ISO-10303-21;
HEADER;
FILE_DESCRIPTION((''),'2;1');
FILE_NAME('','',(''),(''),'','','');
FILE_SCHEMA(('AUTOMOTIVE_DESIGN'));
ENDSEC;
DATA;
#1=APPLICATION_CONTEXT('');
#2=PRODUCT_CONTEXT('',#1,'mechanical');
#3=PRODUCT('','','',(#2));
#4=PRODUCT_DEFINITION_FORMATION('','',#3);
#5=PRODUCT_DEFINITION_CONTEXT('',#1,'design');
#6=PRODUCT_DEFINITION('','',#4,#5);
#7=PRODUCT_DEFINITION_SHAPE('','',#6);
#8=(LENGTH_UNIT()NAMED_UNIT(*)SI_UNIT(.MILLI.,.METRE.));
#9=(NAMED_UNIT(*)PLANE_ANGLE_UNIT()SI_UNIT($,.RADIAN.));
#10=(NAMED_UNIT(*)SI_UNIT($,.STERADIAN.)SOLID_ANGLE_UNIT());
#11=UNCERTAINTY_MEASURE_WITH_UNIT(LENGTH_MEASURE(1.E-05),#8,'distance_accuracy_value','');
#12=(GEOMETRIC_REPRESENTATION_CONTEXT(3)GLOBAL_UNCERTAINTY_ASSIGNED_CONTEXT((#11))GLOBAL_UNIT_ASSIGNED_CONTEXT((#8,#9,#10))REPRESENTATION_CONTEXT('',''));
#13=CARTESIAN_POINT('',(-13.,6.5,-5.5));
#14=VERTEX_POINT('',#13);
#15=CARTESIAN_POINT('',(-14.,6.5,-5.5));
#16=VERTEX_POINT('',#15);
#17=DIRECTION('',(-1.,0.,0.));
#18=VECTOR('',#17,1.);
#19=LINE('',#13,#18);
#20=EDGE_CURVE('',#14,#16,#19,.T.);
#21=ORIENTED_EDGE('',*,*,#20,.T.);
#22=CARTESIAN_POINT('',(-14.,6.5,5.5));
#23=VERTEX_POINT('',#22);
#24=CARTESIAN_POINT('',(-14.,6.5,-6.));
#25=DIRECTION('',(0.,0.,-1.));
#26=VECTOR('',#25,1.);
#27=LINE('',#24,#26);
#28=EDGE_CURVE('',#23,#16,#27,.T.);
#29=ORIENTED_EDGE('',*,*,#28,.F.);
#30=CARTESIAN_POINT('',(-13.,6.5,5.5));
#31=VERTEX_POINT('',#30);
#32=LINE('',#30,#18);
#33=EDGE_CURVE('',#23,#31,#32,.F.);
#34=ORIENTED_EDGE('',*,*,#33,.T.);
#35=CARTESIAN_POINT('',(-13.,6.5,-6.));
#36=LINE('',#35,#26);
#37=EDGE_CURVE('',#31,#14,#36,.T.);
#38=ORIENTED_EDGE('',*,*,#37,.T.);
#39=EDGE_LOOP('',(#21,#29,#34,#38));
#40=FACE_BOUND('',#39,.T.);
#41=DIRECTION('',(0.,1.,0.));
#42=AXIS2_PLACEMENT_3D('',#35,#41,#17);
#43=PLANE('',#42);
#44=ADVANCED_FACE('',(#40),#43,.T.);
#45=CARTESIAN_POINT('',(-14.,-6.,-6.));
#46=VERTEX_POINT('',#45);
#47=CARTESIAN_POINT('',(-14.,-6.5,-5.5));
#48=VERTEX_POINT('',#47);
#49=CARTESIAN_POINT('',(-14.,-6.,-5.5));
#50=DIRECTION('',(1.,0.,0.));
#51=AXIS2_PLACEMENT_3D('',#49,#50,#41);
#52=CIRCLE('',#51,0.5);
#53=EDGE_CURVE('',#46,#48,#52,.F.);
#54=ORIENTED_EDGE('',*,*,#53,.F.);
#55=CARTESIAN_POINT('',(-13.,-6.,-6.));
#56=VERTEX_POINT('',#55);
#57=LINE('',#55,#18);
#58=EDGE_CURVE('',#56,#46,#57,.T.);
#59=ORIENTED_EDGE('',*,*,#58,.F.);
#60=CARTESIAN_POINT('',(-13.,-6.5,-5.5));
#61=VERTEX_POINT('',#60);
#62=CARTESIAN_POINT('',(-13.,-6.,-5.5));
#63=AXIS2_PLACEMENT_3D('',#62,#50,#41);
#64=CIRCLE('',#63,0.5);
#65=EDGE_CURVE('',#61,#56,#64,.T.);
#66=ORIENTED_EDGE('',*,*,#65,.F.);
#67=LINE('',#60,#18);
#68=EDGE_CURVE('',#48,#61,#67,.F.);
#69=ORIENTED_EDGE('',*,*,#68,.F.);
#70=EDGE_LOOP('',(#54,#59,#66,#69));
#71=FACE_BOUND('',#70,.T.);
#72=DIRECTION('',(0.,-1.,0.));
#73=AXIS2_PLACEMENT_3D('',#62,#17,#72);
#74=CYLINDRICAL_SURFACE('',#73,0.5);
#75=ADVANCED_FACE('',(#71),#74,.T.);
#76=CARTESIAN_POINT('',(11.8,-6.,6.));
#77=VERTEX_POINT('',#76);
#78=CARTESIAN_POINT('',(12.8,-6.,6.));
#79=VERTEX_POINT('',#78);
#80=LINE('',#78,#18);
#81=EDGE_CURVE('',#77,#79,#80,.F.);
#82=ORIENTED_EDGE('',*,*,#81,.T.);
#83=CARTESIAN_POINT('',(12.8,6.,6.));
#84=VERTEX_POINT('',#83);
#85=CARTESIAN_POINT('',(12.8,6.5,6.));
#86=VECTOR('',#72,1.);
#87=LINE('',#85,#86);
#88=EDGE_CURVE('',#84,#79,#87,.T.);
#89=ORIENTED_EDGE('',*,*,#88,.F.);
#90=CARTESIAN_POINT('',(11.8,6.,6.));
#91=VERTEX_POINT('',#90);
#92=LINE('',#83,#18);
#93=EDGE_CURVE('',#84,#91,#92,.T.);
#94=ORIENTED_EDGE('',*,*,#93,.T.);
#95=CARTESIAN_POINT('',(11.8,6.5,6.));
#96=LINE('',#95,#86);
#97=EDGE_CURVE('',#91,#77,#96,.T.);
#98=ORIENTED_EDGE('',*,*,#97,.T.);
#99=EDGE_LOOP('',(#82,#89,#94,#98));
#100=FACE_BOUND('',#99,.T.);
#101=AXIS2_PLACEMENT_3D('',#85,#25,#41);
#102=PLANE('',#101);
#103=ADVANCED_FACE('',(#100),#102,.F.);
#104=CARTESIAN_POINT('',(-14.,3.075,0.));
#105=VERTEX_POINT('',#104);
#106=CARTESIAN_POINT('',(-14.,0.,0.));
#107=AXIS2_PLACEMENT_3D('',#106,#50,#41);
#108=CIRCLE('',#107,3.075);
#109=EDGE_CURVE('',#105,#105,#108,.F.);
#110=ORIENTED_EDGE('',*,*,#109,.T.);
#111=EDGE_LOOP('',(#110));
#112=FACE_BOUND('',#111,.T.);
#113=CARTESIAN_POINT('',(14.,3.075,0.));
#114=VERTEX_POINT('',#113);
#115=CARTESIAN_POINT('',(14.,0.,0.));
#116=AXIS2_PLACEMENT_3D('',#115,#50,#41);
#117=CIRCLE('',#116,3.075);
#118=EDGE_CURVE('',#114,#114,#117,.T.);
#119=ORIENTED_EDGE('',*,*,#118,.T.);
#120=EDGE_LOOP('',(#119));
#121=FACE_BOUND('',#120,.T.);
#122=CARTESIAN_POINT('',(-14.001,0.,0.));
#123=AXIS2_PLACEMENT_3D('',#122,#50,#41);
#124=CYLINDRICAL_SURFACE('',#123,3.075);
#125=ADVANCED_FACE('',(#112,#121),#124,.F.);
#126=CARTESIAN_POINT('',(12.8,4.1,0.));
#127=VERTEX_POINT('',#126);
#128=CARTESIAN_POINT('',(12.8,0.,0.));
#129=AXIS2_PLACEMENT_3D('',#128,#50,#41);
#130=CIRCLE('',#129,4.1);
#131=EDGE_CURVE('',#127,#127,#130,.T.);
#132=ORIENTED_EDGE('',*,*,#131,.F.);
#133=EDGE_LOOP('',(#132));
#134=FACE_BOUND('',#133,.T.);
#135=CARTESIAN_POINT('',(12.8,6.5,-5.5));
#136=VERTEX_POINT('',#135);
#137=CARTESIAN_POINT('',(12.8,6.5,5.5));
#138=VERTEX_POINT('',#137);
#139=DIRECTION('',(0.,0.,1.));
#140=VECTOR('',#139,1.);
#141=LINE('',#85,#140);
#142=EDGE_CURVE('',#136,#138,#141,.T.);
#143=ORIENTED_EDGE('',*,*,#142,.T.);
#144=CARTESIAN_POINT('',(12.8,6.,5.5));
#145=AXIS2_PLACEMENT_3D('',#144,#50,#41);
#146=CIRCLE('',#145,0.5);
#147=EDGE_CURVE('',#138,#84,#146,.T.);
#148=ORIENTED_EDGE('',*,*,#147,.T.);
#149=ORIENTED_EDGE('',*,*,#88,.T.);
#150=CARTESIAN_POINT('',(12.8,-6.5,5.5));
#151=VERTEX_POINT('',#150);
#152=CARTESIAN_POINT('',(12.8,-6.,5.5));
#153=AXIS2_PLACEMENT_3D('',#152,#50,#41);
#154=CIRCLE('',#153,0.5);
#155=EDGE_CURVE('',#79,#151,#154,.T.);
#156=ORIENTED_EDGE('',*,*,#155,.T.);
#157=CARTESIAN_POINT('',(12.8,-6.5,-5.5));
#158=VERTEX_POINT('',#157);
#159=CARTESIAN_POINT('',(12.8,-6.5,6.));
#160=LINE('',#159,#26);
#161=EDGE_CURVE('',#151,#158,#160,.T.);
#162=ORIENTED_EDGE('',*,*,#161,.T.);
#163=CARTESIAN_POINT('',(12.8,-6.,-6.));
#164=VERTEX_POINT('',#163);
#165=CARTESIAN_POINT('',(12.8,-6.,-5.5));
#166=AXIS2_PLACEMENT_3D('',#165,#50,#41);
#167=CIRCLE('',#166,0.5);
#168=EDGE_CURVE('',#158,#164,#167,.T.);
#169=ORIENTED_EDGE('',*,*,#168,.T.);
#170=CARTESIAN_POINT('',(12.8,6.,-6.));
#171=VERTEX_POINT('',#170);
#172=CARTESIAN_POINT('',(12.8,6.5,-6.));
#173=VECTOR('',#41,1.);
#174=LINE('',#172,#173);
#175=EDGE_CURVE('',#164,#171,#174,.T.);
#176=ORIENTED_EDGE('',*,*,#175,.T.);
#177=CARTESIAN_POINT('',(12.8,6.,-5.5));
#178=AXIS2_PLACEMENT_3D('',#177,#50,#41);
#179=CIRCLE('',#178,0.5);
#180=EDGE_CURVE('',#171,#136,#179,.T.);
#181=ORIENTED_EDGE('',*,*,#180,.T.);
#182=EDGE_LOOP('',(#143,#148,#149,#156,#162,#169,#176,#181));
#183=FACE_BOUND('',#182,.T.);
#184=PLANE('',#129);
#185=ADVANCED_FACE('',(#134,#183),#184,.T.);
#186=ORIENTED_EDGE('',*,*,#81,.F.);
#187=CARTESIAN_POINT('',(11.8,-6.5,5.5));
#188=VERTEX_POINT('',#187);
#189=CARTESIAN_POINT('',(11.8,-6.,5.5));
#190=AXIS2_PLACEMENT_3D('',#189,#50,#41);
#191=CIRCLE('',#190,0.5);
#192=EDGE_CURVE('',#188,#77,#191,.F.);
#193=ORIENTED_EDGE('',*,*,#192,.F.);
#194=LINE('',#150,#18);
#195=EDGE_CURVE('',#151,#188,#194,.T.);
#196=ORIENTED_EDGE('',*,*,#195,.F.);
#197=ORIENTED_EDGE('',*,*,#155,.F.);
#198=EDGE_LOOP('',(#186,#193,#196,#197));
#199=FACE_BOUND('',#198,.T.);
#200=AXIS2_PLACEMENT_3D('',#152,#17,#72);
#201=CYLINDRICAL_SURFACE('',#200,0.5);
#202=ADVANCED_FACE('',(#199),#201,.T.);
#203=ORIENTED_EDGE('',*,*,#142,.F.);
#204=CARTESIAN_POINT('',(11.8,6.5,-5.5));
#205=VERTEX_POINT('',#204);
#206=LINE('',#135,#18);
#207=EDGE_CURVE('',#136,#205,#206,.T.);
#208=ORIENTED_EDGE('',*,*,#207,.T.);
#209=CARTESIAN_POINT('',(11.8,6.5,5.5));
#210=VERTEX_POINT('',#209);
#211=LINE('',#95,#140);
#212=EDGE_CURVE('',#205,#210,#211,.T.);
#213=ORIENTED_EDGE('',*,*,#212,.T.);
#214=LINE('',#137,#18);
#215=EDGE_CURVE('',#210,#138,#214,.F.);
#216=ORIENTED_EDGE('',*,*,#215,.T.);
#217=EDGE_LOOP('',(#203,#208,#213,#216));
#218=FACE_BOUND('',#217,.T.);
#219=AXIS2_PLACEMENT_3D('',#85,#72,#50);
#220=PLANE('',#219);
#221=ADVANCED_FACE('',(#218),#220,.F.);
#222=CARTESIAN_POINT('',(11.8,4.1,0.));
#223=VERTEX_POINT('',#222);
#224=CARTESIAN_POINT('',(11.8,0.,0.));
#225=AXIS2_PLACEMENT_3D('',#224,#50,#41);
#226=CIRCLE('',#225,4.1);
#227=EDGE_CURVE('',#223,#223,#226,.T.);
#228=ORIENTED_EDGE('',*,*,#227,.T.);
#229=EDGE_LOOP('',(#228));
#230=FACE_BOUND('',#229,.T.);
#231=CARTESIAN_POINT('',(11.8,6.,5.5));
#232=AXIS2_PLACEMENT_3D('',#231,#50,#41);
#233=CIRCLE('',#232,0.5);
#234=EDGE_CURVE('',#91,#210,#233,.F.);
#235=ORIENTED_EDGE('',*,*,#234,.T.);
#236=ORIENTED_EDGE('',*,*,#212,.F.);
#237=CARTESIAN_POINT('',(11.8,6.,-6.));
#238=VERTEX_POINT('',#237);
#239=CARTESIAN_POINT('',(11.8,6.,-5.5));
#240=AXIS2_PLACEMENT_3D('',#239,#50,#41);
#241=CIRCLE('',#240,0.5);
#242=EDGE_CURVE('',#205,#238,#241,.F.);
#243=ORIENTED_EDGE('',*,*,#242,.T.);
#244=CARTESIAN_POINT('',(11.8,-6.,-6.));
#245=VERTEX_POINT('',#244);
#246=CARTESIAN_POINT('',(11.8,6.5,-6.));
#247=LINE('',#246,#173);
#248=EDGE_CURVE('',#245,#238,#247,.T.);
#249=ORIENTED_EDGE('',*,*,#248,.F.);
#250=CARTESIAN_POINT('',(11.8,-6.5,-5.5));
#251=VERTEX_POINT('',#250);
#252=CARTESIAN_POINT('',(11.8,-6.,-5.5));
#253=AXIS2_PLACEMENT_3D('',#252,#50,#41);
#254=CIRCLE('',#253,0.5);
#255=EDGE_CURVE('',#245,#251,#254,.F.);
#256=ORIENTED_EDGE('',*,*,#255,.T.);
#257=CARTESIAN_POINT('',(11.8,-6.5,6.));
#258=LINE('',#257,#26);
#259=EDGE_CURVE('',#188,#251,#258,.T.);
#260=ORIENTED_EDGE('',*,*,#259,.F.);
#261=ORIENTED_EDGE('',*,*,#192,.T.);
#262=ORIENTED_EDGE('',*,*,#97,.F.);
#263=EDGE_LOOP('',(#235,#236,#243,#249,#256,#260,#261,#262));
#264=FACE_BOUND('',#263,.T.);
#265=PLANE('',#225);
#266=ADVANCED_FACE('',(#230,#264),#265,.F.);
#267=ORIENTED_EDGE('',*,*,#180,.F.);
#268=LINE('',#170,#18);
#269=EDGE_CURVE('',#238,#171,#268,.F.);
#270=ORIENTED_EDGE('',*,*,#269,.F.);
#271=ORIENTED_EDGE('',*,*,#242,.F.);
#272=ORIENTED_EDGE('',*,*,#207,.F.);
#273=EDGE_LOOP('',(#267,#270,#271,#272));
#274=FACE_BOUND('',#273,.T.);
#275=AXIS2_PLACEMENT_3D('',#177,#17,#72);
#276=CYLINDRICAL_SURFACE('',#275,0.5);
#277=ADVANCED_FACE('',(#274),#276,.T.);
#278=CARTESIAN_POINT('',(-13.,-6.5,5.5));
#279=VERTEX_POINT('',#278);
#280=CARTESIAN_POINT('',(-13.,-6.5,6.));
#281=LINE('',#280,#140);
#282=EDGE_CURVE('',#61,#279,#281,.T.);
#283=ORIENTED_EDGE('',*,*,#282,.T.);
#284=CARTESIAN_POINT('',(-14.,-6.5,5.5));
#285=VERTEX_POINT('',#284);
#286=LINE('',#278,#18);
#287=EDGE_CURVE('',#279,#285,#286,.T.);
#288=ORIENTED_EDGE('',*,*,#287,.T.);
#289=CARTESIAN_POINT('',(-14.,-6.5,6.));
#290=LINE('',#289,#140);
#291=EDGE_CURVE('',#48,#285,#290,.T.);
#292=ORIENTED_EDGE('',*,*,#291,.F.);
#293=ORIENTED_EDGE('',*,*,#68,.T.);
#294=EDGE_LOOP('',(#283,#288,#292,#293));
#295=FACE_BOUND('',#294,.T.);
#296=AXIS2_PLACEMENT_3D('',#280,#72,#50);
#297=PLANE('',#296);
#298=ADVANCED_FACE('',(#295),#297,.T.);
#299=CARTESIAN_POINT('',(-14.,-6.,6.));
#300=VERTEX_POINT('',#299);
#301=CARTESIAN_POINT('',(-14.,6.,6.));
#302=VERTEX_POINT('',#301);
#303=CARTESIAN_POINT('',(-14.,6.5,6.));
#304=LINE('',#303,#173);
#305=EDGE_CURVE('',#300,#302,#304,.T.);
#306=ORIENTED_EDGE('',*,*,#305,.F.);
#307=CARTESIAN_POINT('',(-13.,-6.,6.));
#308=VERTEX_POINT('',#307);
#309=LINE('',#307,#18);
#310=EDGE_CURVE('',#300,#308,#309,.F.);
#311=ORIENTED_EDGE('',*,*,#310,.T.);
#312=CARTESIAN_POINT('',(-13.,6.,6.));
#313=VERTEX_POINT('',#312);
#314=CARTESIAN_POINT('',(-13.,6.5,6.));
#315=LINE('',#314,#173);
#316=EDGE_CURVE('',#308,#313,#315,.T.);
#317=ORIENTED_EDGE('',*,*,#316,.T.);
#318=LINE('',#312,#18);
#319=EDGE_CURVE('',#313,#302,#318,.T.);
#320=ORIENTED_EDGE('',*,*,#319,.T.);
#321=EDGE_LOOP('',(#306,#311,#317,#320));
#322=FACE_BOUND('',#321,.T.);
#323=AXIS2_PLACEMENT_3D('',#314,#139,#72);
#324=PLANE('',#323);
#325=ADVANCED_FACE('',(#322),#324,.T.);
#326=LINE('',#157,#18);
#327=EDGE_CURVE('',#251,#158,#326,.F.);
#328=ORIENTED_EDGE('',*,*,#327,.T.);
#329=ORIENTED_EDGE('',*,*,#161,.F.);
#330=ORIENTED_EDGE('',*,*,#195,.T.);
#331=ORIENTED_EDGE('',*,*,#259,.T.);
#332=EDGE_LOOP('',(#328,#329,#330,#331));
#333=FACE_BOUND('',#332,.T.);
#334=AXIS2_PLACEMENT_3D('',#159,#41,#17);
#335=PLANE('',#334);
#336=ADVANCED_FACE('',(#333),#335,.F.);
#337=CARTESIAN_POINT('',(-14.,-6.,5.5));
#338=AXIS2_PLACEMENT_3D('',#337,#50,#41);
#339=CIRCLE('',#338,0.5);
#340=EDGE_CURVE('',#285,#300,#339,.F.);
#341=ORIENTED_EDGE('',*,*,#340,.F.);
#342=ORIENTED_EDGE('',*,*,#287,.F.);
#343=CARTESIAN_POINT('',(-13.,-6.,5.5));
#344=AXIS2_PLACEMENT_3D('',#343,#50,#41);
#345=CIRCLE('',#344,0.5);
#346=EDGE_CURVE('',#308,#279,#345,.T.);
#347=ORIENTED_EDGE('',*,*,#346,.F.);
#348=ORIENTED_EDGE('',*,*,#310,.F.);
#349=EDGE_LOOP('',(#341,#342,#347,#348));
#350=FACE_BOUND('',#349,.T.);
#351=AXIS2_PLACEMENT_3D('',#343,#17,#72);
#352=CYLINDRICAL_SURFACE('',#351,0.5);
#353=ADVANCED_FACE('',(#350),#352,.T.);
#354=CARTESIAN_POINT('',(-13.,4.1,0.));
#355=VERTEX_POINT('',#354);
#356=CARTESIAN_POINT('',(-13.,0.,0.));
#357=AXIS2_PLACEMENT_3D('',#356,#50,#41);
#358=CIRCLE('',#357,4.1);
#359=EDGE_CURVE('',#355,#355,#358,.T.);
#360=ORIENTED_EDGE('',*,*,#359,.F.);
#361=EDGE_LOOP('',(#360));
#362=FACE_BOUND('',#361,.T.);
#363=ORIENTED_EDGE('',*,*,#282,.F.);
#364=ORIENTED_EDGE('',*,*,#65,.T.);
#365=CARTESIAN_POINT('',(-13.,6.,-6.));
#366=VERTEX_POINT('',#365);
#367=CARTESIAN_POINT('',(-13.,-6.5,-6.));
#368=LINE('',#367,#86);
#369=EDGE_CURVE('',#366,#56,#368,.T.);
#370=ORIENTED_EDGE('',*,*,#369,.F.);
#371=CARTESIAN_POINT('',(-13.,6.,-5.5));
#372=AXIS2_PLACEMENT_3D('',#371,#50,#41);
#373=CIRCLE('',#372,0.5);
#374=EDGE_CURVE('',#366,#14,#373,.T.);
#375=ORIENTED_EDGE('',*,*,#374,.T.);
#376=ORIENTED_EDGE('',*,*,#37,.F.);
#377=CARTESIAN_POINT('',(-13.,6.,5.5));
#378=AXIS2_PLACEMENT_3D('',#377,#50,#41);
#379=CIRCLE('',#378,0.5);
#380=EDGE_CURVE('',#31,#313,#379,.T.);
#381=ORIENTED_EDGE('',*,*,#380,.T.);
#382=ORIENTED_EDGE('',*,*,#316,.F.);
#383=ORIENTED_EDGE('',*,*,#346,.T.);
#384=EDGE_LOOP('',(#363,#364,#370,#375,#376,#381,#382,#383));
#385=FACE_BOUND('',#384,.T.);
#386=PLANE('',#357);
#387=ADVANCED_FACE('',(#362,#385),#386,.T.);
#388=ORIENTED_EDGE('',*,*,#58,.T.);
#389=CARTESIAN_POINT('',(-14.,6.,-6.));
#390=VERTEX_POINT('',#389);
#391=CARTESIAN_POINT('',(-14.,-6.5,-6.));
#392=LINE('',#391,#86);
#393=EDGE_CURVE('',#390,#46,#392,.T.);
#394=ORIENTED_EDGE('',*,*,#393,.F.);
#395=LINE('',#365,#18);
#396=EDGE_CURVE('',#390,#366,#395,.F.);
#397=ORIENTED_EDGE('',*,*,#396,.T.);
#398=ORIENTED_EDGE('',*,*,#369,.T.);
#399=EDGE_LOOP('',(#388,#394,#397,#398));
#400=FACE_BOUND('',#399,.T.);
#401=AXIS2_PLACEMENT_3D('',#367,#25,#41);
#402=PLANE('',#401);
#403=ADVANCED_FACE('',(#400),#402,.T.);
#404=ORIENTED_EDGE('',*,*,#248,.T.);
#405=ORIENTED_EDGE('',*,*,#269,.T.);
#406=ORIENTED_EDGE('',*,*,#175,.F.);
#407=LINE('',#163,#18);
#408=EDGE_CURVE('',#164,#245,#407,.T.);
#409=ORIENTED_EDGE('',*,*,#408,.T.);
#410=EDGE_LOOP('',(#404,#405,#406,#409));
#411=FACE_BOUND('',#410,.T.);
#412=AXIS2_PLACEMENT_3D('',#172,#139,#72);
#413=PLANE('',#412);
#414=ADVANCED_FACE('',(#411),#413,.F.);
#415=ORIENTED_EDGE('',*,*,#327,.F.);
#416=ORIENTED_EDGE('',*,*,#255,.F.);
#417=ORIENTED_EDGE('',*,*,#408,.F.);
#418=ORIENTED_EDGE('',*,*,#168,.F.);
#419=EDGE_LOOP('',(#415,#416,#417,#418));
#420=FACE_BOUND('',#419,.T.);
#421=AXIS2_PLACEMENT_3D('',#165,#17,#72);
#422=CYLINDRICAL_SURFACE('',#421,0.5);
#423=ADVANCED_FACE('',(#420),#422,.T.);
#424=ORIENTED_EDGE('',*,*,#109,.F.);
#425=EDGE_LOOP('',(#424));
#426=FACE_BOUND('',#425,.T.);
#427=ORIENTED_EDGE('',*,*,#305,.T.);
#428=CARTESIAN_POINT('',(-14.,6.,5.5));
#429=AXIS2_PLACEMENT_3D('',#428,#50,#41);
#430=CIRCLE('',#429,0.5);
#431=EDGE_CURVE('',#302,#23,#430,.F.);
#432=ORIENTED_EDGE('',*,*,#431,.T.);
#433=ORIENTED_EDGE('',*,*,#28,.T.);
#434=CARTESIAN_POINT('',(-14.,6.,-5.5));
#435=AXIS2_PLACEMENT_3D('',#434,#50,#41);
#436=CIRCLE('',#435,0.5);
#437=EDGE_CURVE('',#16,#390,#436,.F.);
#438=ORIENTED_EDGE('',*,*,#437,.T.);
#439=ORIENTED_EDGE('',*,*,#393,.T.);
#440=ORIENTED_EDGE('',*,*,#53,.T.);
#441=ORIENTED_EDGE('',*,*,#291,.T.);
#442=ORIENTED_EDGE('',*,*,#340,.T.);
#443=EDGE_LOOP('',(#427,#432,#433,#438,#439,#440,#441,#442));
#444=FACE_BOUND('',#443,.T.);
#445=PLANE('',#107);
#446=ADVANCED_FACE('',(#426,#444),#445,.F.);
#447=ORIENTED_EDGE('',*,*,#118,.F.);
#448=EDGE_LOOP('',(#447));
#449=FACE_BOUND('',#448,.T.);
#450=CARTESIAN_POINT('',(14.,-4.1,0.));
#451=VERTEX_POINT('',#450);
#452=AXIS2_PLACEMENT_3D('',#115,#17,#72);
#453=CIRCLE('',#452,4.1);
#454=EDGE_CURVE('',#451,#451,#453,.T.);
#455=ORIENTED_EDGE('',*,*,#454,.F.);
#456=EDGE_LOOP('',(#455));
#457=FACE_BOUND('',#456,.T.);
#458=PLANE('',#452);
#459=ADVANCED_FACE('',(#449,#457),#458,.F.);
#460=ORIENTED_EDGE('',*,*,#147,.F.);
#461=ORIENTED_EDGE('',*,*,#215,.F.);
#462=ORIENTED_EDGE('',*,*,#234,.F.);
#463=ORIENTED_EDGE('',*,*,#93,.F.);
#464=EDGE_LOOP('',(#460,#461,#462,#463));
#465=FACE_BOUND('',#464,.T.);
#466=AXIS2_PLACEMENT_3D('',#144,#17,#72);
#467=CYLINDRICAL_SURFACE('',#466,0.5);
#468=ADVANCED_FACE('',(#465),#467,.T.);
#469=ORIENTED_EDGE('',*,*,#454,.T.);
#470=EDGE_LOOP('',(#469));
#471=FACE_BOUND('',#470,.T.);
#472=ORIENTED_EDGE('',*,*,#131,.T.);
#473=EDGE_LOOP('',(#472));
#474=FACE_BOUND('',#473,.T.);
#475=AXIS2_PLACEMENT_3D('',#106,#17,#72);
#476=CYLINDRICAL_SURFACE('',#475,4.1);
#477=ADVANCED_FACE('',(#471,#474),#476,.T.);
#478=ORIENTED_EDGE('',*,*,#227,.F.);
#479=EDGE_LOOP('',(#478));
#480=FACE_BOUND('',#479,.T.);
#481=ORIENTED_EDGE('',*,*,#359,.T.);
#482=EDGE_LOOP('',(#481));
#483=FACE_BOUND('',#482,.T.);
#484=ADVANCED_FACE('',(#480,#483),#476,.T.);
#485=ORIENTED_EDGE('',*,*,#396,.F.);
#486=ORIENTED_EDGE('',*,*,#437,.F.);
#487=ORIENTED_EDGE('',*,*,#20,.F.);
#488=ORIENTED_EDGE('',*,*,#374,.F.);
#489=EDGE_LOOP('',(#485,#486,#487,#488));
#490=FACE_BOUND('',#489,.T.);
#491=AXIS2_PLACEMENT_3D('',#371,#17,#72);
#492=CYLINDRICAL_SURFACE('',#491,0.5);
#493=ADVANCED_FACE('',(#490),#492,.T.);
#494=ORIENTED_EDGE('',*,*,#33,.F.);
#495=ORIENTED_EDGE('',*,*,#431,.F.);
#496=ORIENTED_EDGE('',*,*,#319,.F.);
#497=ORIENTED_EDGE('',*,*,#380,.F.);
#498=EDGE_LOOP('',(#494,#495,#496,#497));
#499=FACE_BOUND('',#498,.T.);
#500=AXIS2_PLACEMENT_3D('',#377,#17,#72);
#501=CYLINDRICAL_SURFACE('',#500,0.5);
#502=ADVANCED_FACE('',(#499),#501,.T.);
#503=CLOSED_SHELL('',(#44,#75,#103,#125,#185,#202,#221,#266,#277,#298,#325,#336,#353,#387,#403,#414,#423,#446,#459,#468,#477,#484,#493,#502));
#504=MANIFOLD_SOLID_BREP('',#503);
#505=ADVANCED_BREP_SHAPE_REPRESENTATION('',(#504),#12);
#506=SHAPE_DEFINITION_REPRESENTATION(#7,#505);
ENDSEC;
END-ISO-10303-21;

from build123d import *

# Parameters (mm, degrees)
CROQUIS1_W              = 28
CROQUIS1_H              = 4.1
CROQUIS3_W              = 12
CROQUIS3_H              = 13
SALIENTE_EXTRUIR1_DEPTH = 1
CROQUIS4_W              = 12
CROQUIS4_H              = 13
SALIENTE_EXTRUIR2_DEPTH = 1
REDONDEO1_R             = 0.5
CORTAR_EXTRUIR1_REACH   = 30
CROQUIS5_R              = 3.075


with BuildPart() as part:
    # Croquis1 → Revolución1 (revolve)
    with BuildSketch(Plane.XY):
        with Locations((0, 2.05)):
            Rectangle(CROQUIS1_W, CROQUIS1_H)
    revolve(axis=Axis((-14, 0, 0), (1, 0, 0)))

    # Croquis3 → Saliente-Extruir1 (add)
    with BuildSketch(Plane(origin=(11.8, 0, 0), x_dir=(0, 0, -1), z_dir=(1, 0, 0))):
        Rectangle(CROQUIS3_W, CROQUIS3_H)
    extrude(amount=SALIENTE_EXTRUIR1_DEPTH)

    # Croquis4 → Saliente-Extruir2 (add)
    with BuildSketch(Plane.ZY.offset(14)):
        Rectangle(CROQUIS4_W, CROQUIS4_H)
    extrude(amount=-SALIENTE_EXTRUIR2_DEPTH)

    # Redondeo1
    redondeo1_edges = [part.edges().sort_by_distance(p)[0] for p in [
        (12.3, 6.5, 6),
        (12.3, -6.5, 6),
        (12.3, -6.5, -6),
        (12.3, 6.5, -6),
        (-13.5, -6.5, -6),
        (-13.5, 6.5, -6),
        (-13.5, 6.5, 6),
        (-13.5, -6.5, 6),
    ]]
    fillet(redondeo1_edges, radius=REDONDEO1_R)

    # Croquis5 → Cortar-Extruir1 (cut, up to next)
    with BuildSketch(Plane(origin=(14, 0, 0), x_dir=(0, 0, -1), z_dir=(1, 0, 0)), mode=Mode.PRIVATE) as cortar_extruir1_sk1:
        Circle(CROQUIS5_R)
    cortar_extruir1_tool1 = extrude(cortar_extruir1_sk1.sketch, amount=-CORTAR_EXTRUIR1_REACH, mode=Mode.PRIVATE) & part.part
    add(cortar_extruir1_tool1.solids().sort_by_distance((14, 0, 0))[0], mode=Mode.SUBTRACT)


solid = part.part
